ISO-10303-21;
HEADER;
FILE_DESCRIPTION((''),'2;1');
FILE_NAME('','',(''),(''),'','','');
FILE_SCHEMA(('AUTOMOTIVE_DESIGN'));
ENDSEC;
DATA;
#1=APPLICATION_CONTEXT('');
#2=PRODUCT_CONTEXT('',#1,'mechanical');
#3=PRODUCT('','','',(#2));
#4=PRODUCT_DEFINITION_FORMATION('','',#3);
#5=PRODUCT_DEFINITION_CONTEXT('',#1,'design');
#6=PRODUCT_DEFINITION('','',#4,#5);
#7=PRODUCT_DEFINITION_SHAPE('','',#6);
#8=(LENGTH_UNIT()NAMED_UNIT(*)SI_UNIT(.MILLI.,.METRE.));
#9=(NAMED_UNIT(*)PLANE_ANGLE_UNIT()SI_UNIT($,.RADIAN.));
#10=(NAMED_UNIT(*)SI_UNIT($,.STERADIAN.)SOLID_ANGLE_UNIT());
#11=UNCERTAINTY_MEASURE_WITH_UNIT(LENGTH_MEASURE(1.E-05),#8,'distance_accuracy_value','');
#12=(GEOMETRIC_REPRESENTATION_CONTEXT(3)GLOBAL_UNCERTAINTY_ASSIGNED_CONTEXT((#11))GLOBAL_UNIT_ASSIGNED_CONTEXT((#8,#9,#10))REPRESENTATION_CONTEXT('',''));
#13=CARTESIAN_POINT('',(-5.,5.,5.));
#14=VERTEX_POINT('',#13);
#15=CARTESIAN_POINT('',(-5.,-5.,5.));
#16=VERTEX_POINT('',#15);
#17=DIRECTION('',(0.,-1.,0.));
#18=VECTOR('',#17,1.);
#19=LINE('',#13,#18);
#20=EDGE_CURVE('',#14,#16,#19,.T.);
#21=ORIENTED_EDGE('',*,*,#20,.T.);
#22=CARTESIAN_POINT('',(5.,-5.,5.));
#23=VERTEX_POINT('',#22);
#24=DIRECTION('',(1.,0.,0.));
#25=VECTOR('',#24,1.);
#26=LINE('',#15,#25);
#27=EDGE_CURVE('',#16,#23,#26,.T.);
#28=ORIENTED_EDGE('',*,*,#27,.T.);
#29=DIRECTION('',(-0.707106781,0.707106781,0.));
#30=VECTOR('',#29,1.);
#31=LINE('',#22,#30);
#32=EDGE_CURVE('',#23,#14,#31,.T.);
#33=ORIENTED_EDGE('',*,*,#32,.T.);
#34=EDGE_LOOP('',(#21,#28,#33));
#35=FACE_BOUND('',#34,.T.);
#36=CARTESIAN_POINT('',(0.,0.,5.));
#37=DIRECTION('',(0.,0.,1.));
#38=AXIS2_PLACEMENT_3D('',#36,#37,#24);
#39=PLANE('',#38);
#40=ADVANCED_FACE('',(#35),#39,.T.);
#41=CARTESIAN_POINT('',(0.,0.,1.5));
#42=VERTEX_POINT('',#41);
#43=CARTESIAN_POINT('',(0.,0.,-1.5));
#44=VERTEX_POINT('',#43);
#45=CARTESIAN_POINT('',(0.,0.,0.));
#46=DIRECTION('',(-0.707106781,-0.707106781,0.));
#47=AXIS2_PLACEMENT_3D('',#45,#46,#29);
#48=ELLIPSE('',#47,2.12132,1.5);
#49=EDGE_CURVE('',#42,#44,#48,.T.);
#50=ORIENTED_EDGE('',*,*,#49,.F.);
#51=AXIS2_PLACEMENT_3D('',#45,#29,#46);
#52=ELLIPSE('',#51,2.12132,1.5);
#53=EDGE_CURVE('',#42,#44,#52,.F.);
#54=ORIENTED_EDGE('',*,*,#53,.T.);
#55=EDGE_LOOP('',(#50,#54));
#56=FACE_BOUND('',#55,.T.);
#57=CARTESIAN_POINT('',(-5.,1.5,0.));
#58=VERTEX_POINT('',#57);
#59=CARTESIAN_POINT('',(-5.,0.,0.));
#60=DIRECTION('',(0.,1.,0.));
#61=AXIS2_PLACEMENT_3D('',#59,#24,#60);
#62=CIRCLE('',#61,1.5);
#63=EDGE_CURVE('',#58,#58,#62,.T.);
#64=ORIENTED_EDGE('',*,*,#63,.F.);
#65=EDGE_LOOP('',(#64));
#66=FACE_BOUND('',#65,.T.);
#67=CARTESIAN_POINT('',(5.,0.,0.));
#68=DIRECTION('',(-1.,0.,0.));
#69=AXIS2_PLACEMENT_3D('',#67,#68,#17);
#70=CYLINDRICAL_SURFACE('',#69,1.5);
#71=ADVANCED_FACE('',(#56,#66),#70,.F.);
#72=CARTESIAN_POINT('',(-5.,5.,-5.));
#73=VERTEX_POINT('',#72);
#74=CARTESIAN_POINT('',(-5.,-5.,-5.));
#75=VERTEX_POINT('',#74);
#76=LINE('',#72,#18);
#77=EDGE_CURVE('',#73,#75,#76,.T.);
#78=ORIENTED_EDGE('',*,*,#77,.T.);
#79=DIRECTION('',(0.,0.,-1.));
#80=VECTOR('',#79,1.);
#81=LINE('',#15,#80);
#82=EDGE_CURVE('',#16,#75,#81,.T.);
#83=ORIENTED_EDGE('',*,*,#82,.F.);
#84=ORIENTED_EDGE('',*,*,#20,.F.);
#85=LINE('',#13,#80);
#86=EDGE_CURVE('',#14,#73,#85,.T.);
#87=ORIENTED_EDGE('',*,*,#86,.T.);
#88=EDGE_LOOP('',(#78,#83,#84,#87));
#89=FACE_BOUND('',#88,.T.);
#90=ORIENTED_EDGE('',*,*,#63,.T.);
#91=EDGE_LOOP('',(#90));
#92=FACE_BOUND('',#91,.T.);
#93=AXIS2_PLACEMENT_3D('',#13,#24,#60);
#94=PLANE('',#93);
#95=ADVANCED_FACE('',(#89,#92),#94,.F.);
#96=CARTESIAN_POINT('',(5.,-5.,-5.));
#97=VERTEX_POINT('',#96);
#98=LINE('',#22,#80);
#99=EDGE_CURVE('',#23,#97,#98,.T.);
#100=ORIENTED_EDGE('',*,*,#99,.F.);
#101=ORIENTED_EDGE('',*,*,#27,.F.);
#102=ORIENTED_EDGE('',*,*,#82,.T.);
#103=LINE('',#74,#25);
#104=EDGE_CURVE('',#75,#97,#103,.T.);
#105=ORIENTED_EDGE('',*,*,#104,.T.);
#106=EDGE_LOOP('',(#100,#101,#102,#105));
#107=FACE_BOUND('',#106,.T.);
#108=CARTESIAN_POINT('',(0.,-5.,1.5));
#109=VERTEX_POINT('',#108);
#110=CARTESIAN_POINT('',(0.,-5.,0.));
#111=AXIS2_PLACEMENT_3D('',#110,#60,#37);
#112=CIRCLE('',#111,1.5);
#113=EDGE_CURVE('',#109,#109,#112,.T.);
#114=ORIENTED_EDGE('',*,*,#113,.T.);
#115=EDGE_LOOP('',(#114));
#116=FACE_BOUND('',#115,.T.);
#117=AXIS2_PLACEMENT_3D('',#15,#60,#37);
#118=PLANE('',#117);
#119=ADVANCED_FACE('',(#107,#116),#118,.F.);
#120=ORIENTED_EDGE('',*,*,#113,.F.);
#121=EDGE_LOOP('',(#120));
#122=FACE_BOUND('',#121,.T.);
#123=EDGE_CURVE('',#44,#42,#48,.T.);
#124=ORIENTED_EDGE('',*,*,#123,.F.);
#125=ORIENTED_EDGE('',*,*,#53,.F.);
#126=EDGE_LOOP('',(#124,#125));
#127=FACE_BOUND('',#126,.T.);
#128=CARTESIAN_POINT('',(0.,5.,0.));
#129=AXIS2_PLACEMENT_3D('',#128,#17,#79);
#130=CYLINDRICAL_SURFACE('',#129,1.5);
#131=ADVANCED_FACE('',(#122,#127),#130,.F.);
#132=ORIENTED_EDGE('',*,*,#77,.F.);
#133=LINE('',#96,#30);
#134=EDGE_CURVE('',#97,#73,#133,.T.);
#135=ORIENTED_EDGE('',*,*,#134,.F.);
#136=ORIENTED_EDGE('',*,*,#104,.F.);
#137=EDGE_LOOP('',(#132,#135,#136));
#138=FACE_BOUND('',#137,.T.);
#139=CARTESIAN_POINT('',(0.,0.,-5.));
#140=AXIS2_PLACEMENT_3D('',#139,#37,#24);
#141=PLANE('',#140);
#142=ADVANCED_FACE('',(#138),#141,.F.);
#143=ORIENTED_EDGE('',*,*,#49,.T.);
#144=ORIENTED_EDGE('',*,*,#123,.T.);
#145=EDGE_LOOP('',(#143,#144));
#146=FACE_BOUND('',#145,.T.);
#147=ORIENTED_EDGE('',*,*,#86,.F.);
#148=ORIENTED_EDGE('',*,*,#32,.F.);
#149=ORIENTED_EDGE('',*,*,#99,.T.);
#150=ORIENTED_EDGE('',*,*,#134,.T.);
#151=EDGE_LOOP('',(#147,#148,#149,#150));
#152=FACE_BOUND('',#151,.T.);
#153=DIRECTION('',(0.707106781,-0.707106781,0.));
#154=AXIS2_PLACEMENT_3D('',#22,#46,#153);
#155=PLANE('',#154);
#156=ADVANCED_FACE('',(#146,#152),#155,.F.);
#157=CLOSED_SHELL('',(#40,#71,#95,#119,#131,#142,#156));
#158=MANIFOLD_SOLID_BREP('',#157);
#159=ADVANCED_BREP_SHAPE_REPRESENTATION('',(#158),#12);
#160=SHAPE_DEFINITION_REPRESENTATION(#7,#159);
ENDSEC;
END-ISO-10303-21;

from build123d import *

# Parameters (mm, degrees)
EXTRUDE_1_DEPTH          = 5
CUT_EXTRUDE_1_DEPTH      = 13.247448714
CUT_EXTRUDE_1_DEPTH_BACK = 13.247448714
SKETCH_2_R               = 1.5
CUT_EXTRUDE_2_DEPTH      = 13.247448714
CUT_EXTRUDE_2_DEPTH_BACK = 13.247448714
SKETCH_3_R               = 1.5


with BuildPart() as part:
    # 草图1 → 凸台-拉伸1 (new, symmetric)
    with BuildSketch(Plane.XY):
        Polygon((-5, 5), (-5, -5), (5, -5), align=None)
    extrude(amount=EXTRUDE_1_DEPTH, both=True)

    # 草图2 → 切除-拉伸1 (cut, two sides: drawn at the far end of the back side and taken through both)
    with BuildSketch(Plane.ZY.offset(5).offset(-CUT_EXTRUDE_1_DEPTH_BACK)):
        with Locations(Location((0, 0, 0), (0, 0, 90))):
            Circle(SKETCH_2_R)
    extrude(amount=CUT_EXTRUDE_1_DEPTH + CUT_EXTRUDE_1_DEPTH_BACK, mode=Mode.SUBTRACT)

    # 草图3 → 切除-拉伸2 (cut, two sides: drawn at the far end of the back side and taken through both)
    with BuildSketch(Plane.XZ.offset(5).offset(-CUT_EXTRUDE_2_DEPTH_BACK)):
        with Locations(Location((0, 0, 0), (0, 0, 90))):
            Circle(SKETCH_3_R)
    extrude(amount=CUT_EXTRUDE_2_DEPTH + CUT_EXTRUDE_2_DEPTH_BACK, mode=Mode.SUBTRACT)


solid = part.part
